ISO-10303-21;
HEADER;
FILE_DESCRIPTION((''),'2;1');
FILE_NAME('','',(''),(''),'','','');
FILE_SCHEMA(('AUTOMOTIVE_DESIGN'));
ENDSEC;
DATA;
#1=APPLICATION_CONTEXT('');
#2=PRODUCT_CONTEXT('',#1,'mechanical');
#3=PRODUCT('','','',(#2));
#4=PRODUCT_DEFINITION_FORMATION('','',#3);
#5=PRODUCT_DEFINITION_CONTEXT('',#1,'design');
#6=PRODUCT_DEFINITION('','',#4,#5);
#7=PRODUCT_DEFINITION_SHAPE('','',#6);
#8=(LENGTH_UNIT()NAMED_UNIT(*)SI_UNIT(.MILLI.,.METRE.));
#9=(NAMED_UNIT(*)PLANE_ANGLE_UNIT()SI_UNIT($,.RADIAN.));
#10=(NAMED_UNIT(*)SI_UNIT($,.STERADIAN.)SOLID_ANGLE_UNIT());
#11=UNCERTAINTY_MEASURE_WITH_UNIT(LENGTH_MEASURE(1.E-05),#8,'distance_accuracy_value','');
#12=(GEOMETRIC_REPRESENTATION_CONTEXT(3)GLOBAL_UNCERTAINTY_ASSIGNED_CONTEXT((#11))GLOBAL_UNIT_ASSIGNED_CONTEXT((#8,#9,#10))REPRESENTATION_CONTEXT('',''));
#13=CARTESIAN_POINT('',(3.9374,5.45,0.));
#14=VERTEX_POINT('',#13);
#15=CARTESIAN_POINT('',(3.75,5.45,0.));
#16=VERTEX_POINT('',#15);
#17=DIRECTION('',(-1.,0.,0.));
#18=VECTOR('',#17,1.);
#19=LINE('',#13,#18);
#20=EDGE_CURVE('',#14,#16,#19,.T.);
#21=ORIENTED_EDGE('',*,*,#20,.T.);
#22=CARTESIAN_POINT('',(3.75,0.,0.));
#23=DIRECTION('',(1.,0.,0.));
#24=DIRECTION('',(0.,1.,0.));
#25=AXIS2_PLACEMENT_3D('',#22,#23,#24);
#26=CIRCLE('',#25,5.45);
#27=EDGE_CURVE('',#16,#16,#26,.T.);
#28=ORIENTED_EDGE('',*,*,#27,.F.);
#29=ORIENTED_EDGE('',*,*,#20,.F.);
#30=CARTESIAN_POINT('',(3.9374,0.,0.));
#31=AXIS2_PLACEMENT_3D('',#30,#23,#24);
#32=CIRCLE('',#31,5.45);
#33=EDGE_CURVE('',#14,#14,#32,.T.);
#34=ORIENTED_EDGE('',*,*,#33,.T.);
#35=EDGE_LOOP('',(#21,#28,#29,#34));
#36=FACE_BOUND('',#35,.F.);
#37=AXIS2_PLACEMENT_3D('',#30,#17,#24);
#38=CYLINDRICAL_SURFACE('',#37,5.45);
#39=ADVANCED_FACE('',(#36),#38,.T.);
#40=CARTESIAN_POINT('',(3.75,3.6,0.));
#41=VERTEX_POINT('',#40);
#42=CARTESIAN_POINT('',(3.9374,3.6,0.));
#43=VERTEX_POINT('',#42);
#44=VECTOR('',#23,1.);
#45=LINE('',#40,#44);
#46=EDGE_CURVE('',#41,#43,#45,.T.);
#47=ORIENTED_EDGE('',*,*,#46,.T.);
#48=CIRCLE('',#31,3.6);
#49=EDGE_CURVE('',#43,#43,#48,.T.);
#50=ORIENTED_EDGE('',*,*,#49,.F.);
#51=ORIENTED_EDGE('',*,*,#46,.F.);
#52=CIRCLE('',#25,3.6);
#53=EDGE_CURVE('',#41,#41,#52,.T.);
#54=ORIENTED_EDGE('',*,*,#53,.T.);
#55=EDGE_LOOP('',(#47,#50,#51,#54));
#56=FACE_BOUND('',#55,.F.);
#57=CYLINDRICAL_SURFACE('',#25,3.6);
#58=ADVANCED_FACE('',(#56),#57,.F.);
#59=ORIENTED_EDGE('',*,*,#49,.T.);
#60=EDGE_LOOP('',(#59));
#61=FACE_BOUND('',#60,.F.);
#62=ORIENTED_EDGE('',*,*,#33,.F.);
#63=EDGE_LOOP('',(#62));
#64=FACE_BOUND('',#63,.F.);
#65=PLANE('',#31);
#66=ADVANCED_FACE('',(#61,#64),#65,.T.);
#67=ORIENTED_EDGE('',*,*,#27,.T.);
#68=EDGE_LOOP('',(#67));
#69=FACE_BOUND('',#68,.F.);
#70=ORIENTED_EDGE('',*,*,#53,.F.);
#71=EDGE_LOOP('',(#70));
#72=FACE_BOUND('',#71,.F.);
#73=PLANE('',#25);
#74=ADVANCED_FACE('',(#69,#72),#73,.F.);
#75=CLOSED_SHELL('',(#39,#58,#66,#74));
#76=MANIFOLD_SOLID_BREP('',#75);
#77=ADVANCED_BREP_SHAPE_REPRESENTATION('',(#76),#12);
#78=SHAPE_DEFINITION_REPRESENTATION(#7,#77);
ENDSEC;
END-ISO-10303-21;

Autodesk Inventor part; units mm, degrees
sketch "Sketch_1" plane through (0, 0, 0) normal (0, 0, 1) x (1, 0, 0)
  line L0 (3.9374, 0) -> (3.75, 0)
  line L1 (3.75, 3.6) -> (3.9374, 3.6)
  line L2 (3.9374, 3.6) -> (3.9374, 5.45)
  line L3 (3.9374, 5.45) -> (3.75, 5.45)
  line L4 (3.75, 5.45) -> (3.75, 3.6)
revolve "Revolution1" add sketch "Sketch_1" angle 360 about axis through (3.9374, 0, 0) along (1, 0, 0)
ref_plane "ip_st_1_XY" through (3.75, 0, 0) normal (1, 0, 0) x (0, 0, -1)
ref_plane "ip_st_1_YZ" through (3.75, 0, 0) normal (0, 0, -1) x (0, 1, 0)
ref_plane "ip_st_1_ZX" through (3.75, 0, 0) normal (0, 1, 0) x (1, 0, 0)
properties part number "MF126ZZ Shield2"
